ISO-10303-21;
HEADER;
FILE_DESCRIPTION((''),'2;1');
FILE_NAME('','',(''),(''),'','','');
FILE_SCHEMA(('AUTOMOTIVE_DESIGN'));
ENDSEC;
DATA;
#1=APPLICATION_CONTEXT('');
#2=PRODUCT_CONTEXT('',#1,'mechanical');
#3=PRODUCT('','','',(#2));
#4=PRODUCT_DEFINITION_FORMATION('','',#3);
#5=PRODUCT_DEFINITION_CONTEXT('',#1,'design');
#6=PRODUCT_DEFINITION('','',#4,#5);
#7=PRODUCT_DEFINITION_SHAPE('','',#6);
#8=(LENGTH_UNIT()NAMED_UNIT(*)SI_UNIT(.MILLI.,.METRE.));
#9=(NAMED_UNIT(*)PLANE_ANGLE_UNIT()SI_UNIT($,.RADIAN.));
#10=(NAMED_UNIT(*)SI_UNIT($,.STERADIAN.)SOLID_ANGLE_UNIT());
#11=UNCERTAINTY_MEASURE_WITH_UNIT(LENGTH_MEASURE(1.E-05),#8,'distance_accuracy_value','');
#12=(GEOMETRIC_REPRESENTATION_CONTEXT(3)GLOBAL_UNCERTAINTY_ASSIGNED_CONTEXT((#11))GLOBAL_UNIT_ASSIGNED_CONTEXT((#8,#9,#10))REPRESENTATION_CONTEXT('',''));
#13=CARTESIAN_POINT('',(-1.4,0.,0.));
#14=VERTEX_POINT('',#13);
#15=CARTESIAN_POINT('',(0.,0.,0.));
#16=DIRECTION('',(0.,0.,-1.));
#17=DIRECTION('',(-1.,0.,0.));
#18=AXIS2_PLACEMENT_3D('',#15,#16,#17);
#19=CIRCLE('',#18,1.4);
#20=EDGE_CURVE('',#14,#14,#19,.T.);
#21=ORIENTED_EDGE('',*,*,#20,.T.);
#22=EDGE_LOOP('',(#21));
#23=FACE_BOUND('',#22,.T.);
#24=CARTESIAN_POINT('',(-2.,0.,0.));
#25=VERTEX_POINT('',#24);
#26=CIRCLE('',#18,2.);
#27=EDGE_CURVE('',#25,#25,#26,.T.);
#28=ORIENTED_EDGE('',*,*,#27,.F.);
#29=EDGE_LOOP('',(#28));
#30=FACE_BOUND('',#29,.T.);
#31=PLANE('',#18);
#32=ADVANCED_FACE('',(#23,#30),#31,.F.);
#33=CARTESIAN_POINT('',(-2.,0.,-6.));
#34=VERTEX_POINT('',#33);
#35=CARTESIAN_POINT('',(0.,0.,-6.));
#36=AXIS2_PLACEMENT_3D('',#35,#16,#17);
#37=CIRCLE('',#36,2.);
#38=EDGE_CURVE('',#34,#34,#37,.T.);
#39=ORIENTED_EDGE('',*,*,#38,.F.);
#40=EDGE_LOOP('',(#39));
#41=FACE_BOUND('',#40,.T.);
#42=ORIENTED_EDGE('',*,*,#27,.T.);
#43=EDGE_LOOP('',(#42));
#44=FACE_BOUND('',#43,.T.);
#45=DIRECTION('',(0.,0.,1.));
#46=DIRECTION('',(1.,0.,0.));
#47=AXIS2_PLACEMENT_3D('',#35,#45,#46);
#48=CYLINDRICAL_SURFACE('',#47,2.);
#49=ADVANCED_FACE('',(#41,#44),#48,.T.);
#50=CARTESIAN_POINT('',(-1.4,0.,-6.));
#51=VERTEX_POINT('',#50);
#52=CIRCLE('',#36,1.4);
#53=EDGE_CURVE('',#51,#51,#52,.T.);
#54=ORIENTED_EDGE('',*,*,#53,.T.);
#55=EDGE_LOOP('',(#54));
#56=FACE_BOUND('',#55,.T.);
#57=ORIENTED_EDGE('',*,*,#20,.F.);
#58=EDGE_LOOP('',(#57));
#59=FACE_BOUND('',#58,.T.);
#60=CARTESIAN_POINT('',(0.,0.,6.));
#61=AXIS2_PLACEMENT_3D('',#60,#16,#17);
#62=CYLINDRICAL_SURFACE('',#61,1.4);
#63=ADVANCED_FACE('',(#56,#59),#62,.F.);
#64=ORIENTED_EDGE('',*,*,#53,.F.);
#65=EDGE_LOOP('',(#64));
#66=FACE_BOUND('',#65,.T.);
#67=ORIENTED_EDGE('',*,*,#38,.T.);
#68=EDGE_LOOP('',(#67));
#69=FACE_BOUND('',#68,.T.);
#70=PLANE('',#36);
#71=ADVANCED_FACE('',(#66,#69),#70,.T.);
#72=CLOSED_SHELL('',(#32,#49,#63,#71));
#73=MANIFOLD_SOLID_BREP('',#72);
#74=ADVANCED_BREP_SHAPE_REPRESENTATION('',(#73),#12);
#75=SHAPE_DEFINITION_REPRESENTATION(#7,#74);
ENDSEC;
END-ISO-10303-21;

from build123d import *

# Parameters (mm, degrees)
SKETCH1_R           = 1.4
BOSS_EXTRUDE1_DEPTH = 6
SKETCH2_R           = 2
BOSS_EXTRUDE2_DEPTH = 6
SKETCH3_R           = 1.4
CUT_EXTRUDE1_DEPTH  = 13.328828006


with BuildPart() as part:
    # Sketch1 → Boss-Extrude1 (new body)
    with BuildSketch(Plane.XY):
        Circle(SKETCH1_R)
    extrude(amount=BOSS_EXTRUDE1_DEPTH)

    # Sketch2 → Boss-Extrude2 (add)
    with BuildSketch(Plane(origin=(0, 0, 0), x_dir=(-1, 0, 0), z_dir=(0, 0, -1))):
        Circle(SKETCH2_R)
    extrude(amount=BOSS_EXTRUDE2_DEPTH)

    # Sketch3 → Cut-Extrude1 (cut, through all)
    with BuildSketch(Plane(origin=(0, 0, -6), x_dir=(-1, 0, 0), z_dir=(0, 0, -1))):
        Circle(SKETCH3_R)
    extrude(amount=-CUT_EXTRUDE1_DEPTH, mode=Mode.SUBTRACT)


solid = part.part
